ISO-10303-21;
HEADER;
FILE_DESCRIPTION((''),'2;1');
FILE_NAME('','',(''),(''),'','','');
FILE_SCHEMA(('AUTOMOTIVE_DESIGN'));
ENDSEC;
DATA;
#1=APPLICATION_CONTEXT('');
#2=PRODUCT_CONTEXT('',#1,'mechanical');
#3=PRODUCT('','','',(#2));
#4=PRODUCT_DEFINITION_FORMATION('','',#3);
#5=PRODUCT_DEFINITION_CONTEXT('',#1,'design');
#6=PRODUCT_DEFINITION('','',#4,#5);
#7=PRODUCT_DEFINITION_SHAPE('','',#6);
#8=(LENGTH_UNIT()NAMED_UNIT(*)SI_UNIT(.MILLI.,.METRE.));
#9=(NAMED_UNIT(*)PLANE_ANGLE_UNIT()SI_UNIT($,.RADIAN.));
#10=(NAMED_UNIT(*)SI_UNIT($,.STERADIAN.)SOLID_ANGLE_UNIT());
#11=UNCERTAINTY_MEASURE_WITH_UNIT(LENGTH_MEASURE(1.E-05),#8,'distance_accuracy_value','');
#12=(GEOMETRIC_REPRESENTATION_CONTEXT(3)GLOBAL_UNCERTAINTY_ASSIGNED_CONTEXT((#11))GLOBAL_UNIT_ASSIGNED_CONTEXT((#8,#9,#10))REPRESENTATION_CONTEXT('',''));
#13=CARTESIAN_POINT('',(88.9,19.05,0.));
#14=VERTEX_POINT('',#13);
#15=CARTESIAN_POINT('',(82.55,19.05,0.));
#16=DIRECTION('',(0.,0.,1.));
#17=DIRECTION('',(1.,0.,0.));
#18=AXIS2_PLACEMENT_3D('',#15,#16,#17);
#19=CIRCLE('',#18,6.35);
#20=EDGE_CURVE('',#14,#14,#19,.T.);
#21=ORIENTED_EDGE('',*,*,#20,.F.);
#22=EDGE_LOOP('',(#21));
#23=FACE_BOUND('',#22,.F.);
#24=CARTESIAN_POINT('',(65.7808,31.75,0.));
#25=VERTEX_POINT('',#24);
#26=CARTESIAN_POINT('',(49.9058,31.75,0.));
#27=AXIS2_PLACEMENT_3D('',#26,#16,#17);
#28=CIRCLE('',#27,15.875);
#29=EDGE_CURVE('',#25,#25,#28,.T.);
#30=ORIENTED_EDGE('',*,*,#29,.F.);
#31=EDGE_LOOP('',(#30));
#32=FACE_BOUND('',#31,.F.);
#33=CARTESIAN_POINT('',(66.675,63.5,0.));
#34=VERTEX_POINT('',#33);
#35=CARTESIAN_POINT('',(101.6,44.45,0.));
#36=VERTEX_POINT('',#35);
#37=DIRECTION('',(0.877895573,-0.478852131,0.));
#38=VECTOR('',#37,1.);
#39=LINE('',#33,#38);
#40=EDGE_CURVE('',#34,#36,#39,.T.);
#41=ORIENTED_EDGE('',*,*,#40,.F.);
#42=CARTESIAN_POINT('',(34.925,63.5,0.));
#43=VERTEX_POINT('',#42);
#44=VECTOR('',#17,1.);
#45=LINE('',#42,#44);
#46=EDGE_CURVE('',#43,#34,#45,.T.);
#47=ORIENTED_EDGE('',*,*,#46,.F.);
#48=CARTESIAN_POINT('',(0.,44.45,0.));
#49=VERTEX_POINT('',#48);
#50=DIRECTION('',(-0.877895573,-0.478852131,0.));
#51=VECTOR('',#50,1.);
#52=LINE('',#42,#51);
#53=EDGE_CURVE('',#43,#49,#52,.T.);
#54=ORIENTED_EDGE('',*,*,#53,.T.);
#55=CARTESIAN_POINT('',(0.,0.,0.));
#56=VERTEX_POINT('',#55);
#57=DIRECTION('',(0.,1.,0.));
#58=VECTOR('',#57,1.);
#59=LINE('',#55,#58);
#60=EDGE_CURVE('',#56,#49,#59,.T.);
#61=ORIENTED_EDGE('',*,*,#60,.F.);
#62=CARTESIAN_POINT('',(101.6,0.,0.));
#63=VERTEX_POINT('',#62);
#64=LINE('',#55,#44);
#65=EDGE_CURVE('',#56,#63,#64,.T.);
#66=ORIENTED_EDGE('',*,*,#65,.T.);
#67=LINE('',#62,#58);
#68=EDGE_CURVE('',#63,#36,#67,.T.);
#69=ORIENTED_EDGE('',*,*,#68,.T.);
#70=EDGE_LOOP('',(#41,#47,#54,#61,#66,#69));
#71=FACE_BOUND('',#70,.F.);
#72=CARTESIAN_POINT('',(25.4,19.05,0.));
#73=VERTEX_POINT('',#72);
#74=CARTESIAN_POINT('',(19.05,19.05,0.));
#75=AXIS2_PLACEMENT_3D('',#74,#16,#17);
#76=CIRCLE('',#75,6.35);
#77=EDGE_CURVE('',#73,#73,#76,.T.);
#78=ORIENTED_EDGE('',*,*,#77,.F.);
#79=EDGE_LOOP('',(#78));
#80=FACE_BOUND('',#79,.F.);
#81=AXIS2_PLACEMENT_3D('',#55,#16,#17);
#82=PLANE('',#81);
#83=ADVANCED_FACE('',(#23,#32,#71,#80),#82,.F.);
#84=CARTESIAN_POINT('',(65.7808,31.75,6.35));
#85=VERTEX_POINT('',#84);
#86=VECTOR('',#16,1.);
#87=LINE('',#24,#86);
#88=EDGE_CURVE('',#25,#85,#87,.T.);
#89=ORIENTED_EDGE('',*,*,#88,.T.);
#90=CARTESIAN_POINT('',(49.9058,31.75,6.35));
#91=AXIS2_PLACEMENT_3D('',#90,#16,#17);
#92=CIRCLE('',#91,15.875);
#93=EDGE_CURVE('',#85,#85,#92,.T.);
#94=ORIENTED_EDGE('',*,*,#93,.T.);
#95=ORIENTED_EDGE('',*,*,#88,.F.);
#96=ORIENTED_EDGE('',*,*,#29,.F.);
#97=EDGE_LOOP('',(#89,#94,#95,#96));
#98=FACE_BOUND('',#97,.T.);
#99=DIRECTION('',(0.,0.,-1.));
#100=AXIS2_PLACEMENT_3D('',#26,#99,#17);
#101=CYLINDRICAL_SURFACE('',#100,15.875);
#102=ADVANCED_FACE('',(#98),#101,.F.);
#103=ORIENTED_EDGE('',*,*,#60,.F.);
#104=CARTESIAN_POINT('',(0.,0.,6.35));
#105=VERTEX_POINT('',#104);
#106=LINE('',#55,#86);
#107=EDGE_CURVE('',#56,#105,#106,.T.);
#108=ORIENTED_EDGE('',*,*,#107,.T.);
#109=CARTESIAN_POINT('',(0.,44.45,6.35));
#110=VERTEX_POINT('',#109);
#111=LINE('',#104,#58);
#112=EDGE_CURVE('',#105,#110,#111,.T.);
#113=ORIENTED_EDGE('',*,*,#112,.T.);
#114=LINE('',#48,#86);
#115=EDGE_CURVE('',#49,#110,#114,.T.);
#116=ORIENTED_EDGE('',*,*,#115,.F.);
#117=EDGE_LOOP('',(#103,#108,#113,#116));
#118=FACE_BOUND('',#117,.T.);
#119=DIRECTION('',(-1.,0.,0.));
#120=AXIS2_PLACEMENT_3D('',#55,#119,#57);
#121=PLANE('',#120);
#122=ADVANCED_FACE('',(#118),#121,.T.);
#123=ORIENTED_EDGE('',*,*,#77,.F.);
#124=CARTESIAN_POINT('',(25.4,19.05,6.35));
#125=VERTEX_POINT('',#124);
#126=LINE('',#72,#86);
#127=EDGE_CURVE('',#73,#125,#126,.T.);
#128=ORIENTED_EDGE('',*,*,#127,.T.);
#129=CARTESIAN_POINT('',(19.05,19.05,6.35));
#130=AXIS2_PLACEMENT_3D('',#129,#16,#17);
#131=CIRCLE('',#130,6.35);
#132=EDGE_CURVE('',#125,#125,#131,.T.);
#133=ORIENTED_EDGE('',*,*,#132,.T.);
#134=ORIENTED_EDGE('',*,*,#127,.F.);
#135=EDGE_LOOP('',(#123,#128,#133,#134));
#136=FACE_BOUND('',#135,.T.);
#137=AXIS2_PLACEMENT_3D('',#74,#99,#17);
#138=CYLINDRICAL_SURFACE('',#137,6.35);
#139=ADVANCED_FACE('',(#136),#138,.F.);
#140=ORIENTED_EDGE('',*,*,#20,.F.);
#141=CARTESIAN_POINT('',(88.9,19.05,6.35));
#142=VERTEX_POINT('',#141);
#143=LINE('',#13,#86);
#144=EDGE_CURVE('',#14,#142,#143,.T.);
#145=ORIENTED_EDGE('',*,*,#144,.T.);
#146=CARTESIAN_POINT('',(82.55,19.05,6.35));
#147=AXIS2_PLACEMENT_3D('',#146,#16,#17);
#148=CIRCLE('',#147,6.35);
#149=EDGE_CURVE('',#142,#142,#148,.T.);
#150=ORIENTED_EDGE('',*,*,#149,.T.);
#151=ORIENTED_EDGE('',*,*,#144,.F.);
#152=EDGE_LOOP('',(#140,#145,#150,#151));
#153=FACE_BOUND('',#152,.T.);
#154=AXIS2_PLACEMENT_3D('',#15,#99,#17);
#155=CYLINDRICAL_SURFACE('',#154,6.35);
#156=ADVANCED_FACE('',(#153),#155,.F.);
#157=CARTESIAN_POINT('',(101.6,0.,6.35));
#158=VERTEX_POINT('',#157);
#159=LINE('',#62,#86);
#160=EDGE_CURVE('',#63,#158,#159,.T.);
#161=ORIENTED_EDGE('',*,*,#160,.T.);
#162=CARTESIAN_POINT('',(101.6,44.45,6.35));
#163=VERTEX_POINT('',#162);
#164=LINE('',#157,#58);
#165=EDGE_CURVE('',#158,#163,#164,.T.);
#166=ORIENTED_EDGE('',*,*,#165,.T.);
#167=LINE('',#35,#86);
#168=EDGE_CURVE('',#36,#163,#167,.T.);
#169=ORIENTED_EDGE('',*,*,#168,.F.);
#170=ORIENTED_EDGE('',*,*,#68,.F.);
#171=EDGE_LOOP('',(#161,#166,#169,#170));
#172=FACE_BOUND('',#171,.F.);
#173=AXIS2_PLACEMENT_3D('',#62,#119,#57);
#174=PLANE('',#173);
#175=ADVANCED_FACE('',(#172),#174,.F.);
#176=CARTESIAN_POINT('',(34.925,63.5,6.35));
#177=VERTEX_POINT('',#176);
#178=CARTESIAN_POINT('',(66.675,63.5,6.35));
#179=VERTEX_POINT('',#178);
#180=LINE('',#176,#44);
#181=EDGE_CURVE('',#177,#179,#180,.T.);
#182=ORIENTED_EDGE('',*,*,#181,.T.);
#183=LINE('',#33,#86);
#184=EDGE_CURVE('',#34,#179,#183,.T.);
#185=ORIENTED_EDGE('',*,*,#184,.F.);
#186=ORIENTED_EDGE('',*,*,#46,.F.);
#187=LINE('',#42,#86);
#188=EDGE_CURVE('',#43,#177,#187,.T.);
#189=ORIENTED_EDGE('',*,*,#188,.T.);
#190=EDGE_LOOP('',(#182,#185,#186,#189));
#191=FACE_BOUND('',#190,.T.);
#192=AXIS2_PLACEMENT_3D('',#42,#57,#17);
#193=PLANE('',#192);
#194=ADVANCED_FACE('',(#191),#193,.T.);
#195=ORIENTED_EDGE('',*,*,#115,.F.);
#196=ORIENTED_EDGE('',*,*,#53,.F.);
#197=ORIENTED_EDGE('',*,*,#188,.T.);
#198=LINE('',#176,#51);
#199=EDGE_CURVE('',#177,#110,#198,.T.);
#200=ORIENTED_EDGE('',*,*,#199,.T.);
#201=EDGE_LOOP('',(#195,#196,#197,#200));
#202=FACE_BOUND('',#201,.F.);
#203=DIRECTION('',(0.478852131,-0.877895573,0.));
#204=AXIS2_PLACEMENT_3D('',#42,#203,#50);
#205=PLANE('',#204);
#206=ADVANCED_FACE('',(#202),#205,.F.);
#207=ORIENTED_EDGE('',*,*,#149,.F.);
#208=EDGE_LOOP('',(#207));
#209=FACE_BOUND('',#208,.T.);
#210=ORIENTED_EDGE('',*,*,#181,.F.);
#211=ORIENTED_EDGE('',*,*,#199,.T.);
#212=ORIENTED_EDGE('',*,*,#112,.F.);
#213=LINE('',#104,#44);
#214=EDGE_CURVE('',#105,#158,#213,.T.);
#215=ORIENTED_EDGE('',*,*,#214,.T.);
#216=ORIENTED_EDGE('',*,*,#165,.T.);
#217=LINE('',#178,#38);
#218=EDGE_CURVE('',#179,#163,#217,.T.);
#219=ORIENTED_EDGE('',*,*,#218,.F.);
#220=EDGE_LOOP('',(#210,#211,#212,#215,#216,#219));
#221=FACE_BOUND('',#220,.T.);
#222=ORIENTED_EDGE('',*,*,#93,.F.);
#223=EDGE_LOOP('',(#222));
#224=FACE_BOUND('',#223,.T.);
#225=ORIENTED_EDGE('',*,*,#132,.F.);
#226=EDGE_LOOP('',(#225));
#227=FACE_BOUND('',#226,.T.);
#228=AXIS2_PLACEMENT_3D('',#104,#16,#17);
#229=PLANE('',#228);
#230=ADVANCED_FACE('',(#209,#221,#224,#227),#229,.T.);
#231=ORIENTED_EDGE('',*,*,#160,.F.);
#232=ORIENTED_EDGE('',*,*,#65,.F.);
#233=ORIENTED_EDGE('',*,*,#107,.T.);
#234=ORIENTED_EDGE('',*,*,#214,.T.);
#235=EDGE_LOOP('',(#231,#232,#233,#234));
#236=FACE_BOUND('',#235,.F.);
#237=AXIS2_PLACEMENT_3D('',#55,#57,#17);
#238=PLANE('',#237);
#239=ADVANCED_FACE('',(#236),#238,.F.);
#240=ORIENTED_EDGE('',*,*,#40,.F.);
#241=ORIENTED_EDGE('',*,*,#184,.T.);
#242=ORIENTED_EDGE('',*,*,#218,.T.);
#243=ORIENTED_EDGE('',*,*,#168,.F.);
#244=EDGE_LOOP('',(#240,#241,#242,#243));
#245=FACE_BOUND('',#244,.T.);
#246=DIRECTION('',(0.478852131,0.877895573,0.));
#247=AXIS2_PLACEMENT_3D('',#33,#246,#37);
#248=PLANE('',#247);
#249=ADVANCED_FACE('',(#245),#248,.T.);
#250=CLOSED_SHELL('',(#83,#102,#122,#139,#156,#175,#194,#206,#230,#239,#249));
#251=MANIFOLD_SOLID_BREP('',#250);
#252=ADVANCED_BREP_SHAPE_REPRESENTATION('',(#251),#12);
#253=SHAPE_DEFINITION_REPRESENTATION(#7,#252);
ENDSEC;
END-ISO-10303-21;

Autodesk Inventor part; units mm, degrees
ref_plane "YZ Plane" through (0, 0, 0) normal (1, 0, 0) x (0, 1, 0)
ref_plane "XZ Plane" through (0, 0, 0) normal (0, 1, 0) x (-1, 0, 0)
ref_plane "XY Plane" through (0, 0, 0) normal (0, 0, 1) x (1, 0, 0)
sketch "Sketch1" plane through (0, 0, 0) normal (0, 0, 1) x (1, 0, 0)
  point P0 (0, 0)
sketch "Sketch2" plane through (0, 0, 0) normal (0, 0, 1) x (1, 0, 0)
  line L0 (0, 0) -> (101.6, 0)
  line L1 (101.6, 0) -> (101.6, 44.45)
  line L2 (0, 0) -> (0, 44.45)
  line L3 (34.925, 63.5) -> (66.675, 63.5)
  line L4 (66.675, 63.5) -> (101.6, 44.45)
  line L5 (34.925, 63.5) -> (0, 44.45)
  circle A0 centre (82.55, 19.05) radius 6.35
  circle A1 centre (19.05, 19.05) radius 6.35
  circle A2 centre (49.9058, 31.75) radius 15.875
  dimension "d1" = 44.45
  dimension "d2" = 44.45
  dimension "d6" = 31.75
  dimension "d7" = 63.5
  dimension "d9" = 19.05
  dimension "d10" = 19.05
  dimension "d12" = 19.05
  dimension "d13" = 12.7
  dimension "d14" = 19.05
  dimension "d15" = 12.7
  dimension "d16" = 31.75
  dimension "d17" = 31.75
sketch "Sketch3" plane through (0, 0, 0) normal (0, 0, 1) x (1, 0, 0)
  point P0 (0, 0)
extrude "Extrusion1" add sketch "Sketch2" along normal blind 6.35
properties part number "2.3 Tutorial"
